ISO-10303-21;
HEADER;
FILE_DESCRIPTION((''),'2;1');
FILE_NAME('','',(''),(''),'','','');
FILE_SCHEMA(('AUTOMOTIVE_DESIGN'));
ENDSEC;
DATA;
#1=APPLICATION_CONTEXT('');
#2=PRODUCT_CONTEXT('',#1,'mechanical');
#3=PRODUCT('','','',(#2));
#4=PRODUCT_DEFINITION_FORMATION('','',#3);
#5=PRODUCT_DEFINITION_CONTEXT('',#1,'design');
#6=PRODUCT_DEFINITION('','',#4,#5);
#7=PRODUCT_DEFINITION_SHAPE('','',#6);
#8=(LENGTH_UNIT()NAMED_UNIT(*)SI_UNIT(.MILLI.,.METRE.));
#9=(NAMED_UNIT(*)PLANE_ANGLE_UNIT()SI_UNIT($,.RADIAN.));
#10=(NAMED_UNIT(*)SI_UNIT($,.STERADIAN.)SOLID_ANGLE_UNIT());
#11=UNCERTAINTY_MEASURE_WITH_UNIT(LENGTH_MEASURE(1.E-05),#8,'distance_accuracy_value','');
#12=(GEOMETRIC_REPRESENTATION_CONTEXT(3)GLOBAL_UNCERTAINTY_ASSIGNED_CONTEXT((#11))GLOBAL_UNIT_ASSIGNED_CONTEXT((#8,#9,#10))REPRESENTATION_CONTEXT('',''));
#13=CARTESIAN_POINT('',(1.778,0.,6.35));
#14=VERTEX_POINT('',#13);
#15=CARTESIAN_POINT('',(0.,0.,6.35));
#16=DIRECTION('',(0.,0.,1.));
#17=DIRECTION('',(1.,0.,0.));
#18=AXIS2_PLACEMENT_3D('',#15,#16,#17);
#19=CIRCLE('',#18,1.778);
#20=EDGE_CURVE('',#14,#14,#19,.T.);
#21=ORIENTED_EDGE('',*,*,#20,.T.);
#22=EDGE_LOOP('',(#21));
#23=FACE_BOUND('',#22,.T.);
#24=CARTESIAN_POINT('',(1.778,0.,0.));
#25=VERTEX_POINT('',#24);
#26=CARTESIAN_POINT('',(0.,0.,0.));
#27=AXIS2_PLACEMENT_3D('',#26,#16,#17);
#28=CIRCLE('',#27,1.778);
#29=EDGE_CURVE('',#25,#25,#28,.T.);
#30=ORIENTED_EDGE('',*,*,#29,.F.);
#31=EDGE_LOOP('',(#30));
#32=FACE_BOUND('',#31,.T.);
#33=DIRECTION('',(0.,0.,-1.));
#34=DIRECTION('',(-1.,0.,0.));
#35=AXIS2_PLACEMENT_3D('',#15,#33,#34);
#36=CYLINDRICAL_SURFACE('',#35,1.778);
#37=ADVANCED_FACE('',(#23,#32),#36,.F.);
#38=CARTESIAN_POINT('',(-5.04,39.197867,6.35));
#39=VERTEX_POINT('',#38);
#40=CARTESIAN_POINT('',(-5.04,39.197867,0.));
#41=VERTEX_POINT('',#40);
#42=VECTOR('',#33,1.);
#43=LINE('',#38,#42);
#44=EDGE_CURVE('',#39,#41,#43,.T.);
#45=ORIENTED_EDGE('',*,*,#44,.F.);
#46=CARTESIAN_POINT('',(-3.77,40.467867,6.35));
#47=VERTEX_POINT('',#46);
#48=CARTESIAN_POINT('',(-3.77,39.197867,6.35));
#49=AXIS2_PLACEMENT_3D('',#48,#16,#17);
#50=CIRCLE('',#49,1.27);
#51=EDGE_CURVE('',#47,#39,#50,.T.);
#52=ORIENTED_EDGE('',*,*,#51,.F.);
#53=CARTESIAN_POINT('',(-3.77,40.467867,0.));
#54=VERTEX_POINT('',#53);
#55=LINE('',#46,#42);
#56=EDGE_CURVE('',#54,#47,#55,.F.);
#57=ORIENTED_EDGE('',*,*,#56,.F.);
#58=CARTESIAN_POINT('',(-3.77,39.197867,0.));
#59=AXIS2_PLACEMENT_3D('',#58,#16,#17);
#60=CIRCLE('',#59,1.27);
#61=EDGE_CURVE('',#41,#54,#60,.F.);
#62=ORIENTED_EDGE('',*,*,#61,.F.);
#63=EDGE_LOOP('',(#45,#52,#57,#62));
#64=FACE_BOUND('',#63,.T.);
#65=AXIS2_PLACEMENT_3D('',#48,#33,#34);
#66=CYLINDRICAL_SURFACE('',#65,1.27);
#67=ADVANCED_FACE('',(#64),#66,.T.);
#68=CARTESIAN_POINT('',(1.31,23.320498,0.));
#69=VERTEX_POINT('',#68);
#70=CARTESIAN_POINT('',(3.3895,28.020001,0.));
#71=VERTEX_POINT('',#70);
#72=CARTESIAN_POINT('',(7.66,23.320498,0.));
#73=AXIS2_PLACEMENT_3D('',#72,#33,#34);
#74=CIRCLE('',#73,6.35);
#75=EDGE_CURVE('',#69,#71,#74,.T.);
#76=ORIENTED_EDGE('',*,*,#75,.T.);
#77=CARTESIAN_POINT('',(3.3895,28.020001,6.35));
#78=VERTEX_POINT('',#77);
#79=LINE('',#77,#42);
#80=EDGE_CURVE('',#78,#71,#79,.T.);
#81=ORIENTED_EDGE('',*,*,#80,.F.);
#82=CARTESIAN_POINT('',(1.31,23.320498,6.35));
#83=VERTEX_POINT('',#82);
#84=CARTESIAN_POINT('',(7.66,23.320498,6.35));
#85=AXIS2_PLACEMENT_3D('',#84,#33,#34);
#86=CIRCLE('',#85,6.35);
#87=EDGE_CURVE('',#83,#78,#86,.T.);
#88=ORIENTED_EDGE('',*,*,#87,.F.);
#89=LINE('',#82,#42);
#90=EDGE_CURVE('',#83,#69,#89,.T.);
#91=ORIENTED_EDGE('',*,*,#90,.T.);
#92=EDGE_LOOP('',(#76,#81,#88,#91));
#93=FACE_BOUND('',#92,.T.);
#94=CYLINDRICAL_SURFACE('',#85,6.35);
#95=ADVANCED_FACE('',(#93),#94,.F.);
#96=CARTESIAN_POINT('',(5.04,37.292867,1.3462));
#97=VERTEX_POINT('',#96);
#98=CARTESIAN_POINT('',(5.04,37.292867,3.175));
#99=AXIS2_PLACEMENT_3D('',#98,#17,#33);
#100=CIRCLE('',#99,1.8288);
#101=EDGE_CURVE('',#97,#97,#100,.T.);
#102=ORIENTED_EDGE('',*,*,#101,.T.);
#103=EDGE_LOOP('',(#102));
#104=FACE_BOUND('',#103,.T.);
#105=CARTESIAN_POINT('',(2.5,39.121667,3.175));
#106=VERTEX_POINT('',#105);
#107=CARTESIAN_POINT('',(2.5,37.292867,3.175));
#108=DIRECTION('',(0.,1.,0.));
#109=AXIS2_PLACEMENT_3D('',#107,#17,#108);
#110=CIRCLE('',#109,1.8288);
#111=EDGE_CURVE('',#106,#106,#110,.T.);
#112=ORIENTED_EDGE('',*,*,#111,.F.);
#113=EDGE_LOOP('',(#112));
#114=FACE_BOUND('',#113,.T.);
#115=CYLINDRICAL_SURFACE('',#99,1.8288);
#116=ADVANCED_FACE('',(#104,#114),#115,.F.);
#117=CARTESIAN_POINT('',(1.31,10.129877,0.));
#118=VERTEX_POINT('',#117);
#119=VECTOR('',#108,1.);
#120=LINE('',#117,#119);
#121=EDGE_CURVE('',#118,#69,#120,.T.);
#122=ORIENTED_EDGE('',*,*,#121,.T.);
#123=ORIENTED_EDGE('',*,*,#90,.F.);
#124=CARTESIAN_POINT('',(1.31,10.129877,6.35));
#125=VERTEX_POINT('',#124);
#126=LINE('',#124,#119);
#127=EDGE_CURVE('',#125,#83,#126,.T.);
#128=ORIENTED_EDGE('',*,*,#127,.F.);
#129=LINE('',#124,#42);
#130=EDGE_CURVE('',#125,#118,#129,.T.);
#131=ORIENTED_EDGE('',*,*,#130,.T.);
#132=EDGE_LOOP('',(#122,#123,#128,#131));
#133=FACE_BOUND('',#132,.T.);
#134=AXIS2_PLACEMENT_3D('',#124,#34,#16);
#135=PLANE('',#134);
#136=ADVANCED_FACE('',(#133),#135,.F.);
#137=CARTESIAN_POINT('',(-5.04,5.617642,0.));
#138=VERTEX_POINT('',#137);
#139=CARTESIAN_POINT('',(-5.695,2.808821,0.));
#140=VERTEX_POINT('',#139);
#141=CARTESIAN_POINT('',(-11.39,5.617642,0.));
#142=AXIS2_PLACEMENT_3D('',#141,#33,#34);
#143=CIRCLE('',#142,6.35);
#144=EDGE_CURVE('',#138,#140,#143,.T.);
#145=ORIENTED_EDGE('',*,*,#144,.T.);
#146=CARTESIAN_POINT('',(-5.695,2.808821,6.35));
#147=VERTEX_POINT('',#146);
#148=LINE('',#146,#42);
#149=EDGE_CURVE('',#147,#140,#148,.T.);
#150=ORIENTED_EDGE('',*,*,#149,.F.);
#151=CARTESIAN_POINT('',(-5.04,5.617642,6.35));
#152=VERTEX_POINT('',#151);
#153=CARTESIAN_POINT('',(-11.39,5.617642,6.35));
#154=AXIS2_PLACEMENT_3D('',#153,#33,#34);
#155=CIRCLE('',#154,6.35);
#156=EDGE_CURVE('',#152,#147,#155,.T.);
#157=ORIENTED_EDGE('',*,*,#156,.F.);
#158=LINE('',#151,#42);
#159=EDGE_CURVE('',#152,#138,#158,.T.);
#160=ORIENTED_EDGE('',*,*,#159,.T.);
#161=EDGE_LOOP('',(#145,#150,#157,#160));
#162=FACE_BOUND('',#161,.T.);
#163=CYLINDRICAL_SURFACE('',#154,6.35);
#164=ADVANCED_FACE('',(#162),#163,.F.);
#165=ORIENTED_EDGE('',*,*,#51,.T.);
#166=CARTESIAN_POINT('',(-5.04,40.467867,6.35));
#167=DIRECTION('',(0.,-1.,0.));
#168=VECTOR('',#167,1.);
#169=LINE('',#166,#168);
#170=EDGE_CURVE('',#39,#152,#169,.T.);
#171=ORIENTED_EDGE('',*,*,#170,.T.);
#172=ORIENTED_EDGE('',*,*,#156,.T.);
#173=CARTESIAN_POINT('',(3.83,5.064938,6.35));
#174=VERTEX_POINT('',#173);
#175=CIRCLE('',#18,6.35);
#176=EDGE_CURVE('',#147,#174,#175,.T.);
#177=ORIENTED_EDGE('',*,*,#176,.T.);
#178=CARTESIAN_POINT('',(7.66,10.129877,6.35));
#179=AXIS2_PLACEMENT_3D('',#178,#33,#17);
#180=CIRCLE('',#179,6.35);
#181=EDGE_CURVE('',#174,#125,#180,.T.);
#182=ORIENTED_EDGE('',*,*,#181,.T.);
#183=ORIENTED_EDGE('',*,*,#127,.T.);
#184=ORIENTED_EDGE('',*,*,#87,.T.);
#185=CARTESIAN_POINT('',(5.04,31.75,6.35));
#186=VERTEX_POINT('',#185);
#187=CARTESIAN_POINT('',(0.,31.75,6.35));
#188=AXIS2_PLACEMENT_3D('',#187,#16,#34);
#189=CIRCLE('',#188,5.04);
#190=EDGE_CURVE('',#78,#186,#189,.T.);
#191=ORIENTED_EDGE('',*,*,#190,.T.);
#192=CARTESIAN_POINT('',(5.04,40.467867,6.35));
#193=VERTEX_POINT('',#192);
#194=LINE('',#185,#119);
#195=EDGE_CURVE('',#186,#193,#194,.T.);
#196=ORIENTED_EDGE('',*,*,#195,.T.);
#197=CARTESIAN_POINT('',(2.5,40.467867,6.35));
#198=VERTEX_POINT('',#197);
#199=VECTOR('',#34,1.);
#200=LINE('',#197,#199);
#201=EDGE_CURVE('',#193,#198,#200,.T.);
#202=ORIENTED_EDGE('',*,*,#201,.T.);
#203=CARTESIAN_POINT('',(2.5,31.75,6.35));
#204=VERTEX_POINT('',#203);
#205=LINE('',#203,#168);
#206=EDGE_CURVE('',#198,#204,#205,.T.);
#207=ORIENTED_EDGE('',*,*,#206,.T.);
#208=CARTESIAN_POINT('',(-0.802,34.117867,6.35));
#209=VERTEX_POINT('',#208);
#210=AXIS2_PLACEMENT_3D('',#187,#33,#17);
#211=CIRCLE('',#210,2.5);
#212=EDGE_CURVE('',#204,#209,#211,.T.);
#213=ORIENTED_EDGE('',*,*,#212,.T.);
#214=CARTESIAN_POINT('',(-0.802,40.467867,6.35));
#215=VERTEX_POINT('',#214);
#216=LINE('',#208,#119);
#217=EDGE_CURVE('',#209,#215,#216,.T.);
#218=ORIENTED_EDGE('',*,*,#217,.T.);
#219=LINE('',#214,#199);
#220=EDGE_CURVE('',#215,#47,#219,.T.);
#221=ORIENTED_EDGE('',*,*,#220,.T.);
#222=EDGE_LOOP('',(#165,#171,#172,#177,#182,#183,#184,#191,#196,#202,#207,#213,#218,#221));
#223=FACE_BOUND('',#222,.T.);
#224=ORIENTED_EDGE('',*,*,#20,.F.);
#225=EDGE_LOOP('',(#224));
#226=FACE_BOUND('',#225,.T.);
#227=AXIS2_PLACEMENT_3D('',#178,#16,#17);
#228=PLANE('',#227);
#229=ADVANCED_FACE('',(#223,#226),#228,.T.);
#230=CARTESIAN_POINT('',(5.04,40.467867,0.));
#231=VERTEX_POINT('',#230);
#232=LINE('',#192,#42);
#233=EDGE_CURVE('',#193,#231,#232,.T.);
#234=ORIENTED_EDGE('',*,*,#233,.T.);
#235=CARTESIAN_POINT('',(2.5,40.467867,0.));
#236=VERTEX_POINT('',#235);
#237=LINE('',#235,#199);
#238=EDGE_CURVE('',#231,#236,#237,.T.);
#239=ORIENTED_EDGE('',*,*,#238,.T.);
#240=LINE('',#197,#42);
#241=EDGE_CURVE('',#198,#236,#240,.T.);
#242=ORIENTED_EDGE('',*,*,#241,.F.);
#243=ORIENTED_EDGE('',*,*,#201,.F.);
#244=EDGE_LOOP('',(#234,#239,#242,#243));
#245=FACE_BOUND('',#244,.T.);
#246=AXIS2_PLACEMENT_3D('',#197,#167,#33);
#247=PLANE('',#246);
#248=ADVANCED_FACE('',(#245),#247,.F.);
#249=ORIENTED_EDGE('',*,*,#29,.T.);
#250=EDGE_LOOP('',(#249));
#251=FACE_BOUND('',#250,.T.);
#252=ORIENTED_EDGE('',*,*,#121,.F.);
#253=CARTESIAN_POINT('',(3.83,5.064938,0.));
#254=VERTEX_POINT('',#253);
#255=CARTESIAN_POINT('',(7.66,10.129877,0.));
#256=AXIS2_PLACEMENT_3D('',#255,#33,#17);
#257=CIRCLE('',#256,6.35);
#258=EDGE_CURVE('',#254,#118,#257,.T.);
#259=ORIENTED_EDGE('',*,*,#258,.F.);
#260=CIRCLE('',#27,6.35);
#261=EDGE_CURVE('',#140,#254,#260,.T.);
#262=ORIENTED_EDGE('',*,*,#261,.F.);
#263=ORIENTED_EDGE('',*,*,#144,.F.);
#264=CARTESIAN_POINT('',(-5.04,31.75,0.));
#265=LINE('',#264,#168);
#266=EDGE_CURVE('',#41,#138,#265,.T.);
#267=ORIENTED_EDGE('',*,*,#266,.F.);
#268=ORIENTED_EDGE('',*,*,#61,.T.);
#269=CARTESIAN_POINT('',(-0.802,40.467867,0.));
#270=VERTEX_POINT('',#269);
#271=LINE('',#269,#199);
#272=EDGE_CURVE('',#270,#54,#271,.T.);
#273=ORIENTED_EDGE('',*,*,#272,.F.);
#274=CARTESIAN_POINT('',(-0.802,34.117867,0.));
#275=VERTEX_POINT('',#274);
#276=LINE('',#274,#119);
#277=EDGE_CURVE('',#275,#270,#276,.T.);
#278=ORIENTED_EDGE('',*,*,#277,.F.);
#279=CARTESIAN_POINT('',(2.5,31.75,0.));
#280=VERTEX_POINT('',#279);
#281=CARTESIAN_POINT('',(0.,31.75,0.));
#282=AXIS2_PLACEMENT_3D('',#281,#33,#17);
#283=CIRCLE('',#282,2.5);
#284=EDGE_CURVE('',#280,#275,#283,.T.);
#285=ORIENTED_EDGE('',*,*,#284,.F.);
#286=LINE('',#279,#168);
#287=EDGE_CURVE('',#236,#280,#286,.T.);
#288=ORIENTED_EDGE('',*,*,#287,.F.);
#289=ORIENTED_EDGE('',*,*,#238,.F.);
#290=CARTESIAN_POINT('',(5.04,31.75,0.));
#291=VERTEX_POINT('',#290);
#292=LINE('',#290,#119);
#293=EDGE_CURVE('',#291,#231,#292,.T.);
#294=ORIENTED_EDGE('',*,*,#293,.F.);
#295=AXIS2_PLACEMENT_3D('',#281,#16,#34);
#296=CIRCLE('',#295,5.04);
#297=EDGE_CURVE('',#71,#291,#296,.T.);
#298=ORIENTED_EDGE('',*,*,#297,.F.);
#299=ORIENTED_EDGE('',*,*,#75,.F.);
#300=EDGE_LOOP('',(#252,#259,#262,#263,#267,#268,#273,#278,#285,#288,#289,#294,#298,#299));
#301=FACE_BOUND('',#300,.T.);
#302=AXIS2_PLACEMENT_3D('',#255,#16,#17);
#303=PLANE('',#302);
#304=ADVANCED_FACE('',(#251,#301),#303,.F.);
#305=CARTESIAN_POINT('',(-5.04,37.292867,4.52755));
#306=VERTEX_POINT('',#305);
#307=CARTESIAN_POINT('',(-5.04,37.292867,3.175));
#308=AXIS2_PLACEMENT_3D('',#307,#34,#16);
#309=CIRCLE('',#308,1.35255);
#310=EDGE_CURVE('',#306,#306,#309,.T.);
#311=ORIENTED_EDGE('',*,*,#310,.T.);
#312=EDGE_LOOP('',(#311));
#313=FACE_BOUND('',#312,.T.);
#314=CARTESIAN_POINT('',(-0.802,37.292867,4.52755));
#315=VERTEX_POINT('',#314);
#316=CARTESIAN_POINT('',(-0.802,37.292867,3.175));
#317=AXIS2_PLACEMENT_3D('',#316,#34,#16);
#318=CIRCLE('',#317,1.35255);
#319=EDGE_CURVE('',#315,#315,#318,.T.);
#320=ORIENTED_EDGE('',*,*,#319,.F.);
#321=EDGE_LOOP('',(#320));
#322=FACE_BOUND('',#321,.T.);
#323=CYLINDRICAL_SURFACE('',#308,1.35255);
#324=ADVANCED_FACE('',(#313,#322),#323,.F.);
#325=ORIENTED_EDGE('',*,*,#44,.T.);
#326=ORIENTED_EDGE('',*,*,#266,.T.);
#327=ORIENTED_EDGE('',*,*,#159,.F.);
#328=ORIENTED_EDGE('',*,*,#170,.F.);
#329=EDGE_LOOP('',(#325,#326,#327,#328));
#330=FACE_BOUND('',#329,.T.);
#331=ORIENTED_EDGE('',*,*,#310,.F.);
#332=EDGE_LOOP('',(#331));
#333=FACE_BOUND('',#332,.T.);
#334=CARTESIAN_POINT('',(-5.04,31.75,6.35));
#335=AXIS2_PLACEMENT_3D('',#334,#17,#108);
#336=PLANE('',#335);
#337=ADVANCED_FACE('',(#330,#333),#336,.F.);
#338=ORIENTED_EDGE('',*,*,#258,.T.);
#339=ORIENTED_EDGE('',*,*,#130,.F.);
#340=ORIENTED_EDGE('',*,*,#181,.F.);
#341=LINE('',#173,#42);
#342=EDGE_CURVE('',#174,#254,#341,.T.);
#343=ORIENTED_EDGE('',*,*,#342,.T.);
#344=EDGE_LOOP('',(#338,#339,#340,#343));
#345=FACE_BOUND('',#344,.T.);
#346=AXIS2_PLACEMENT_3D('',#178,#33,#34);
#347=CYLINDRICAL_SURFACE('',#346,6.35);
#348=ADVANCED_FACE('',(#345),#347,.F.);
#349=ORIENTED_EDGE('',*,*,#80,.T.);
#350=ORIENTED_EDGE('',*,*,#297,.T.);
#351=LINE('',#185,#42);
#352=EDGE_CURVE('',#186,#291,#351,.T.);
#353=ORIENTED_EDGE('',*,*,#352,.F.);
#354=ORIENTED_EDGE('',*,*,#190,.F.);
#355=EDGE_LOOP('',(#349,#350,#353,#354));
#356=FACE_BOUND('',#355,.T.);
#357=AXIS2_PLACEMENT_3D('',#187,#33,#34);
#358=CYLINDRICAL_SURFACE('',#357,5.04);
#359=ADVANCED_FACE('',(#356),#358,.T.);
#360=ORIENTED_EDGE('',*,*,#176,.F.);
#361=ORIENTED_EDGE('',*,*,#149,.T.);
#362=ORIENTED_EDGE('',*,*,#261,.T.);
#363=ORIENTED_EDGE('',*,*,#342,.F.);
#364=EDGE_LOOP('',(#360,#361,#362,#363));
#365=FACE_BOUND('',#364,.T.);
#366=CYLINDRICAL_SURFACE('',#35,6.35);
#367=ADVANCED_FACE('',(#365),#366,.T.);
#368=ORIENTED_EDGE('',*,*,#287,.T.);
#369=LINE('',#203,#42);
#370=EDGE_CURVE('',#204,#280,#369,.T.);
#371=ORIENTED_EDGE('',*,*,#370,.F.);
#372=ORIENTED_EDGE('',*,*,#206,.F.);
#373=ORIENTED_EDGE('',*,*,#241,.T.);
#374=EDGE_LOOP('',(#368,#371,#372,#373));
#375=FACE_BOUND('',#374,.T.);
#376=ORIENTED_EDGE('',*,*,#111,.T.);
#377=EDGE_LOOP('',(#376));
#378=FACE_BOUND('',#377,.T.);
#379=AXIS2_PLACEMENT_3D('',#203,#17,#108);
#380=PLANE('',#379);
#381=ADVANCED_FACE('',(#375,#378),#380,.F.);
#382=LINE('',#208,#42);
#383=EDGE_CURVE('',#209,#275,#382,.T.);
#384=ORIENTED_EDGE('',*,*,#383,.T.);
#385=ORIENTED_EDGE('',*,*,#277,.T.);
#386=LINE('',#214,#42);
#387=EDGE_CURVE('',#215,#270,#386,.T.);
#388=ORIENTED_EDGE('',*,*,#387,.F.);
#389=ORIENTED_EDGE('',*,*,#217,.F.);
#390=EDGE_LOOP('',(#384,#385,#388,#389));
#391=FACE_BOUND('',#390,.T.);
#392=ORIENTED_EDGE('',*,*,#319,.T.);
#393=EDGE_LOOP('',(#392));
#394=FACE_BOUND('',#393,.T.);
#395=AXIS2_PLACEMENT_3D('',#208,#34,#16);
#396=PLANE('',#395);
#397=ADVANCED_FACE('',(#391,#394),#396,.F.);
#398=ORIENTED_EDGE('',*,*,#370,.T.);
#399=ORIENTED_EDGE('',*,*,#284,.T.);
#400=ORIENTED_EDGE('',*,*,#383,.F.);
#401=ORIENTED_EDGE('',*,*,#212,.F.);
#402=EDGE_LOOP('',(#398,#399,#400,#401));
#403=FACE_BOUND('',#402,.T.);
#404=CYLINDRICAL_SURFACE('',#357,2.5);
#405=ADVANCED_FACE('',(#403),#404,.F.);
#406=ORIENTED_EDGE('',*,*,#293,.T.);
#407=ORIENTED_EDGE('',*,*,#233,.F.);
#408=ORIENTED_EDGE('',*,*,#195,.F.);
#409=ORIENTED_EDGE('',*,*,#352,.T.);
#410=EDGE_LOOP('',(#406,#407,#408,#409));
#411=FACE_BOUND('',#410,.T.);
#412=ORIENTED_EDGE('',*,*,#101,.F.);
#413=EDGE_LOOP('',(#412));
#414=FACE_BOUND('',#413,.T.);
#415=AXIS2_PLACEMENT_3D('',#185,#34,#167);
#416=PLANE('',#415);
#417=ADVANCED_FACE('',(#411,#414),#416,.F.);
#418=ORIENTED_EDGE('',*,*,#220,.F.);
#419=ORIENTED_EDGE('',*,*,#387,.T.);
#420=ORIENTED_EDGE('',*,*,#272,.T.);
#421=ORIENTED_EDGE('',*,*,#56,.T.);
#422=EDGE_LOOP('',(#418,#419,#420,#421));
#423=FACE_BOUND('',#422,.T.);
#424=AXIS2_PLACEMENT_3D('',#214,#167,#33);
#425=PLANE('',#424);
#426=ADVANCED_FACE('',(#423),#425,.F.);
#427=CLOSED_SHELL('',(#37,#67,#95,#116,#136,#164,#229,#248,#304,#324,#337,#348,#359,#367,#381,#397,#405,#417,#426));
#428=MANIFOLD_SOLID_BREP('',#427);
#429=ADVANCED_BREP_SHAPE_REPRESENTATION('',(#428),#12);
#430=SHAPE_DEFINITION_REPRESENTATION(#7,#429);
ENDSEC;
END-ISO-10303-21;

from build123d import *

# Parameters (mm, degrees)
SKETCH1_R                 = 1.778
BOSS_EXTRUDE1_DEPTH       = 6.35
FILLET1_R                 = 1.27
F_6_32_TAPPED_HOLE1_D     = 2.7051
F_6_CLEARANCE_HOLE1_D     = 3.6576
F_6_CLEARANCE_HOLE1_DEPTH = 3.175
F_6_CLEARANCE_HOLE1_TIP   = 1.0988539


with BuildPart() as part:
    # Sketch1 → Boss-Extrude1 (new body)
    with BuildSketch(Plane.XY):
        with BuildLine():
            Line((-5.04, 40.467867395), (-5.04, 31.75))
            Line((-5.04, 31.75), (-5.04, 5.617641854))
            ThreePointArc((-5.04, 5.617641854), (-5.205917611, 4.175551358), (-5.695, 2.808820927))
            ThreePointArc((-5.695, 2.808820927), (1.46358213, -6.179031263), (3.83, 5.064938302))
            ThreePointArc((3.83, 5.064938302), (1.974799916, 7.301272707), (1.31, 10.129876603))
            Line((1.31, 10.129876603), (1.31, 23.320498235))
            ThreePointArc((1.31, 23.320498235), (1.853099889, 25.890013969), (3.389499561, 28.020000975))
            ThreePointArc((3.389499561, 28.020000975), (4.60894119, 29.710573339), (5.04, 31.75))
            Line((5.04, 31.75), (5.04, 40.467867395))
            Line((5.04, 40.467867395), (2.5, 40.467867395))
            Line((2.5, 40.467867395), (2.5, 31.75))
            ThreePointArc((2.5, 31.75), (-1.456880228, 29.718375035), (-0.802, 34.117867395))
            Line((-0.802, 34.117867395), (-0.802, 40.467867395))
            Line((-0.802, 40.467867395), (-5.04, 40.467867395))
        make_face()
        Circle(SKETCH1_R, mode=Mode.SUBTRACT)
    extrude(amount=BOSS_EXTRUDE1_DEPTH)

    # Fillet1
    fillet1_edges = [part.edges().sort_by_distance(p)[0] for p in [
        (-5.04, 40.467867395, 3.175),
    ]]
    fillet(fillet1_edges, radius=FILLET1_R)

    # #6-32 Tapped Hole1 (through all)
    with Locations(Plane.ZY.offset(5.04)):
        with Locations((3.175, 37.292867395)):
            Hole(F_6_32_TAPPED_HOLE1_D / 2)

    # #6 Clearance Hole1
    with Locations(Plane(origin=(5.04, 37.292867395, 3.175), x_dir=(0, 1, 0), z_dir=(1, 0, 0))):
        with Locations((0, 0)):
            Hole(F_6_CLEARANCE_HOLE1_D / 2, depth=F_6_CLEARANCE_HOLE1_DEPTH)
            with Locations((0, 0, -(F_6_CLEARANCE_HOLE1_DEPTH + F_6_CLEARANCE_HOLE1_TIP / 2))):  # 118° drill point
                Cone(0, F_6_CLEARANCE_HOLE1_D / 2, F_6_CLEARANCE_HOLE1_TIP, mode=Mode.SUBTRACT)


solid = part.part
